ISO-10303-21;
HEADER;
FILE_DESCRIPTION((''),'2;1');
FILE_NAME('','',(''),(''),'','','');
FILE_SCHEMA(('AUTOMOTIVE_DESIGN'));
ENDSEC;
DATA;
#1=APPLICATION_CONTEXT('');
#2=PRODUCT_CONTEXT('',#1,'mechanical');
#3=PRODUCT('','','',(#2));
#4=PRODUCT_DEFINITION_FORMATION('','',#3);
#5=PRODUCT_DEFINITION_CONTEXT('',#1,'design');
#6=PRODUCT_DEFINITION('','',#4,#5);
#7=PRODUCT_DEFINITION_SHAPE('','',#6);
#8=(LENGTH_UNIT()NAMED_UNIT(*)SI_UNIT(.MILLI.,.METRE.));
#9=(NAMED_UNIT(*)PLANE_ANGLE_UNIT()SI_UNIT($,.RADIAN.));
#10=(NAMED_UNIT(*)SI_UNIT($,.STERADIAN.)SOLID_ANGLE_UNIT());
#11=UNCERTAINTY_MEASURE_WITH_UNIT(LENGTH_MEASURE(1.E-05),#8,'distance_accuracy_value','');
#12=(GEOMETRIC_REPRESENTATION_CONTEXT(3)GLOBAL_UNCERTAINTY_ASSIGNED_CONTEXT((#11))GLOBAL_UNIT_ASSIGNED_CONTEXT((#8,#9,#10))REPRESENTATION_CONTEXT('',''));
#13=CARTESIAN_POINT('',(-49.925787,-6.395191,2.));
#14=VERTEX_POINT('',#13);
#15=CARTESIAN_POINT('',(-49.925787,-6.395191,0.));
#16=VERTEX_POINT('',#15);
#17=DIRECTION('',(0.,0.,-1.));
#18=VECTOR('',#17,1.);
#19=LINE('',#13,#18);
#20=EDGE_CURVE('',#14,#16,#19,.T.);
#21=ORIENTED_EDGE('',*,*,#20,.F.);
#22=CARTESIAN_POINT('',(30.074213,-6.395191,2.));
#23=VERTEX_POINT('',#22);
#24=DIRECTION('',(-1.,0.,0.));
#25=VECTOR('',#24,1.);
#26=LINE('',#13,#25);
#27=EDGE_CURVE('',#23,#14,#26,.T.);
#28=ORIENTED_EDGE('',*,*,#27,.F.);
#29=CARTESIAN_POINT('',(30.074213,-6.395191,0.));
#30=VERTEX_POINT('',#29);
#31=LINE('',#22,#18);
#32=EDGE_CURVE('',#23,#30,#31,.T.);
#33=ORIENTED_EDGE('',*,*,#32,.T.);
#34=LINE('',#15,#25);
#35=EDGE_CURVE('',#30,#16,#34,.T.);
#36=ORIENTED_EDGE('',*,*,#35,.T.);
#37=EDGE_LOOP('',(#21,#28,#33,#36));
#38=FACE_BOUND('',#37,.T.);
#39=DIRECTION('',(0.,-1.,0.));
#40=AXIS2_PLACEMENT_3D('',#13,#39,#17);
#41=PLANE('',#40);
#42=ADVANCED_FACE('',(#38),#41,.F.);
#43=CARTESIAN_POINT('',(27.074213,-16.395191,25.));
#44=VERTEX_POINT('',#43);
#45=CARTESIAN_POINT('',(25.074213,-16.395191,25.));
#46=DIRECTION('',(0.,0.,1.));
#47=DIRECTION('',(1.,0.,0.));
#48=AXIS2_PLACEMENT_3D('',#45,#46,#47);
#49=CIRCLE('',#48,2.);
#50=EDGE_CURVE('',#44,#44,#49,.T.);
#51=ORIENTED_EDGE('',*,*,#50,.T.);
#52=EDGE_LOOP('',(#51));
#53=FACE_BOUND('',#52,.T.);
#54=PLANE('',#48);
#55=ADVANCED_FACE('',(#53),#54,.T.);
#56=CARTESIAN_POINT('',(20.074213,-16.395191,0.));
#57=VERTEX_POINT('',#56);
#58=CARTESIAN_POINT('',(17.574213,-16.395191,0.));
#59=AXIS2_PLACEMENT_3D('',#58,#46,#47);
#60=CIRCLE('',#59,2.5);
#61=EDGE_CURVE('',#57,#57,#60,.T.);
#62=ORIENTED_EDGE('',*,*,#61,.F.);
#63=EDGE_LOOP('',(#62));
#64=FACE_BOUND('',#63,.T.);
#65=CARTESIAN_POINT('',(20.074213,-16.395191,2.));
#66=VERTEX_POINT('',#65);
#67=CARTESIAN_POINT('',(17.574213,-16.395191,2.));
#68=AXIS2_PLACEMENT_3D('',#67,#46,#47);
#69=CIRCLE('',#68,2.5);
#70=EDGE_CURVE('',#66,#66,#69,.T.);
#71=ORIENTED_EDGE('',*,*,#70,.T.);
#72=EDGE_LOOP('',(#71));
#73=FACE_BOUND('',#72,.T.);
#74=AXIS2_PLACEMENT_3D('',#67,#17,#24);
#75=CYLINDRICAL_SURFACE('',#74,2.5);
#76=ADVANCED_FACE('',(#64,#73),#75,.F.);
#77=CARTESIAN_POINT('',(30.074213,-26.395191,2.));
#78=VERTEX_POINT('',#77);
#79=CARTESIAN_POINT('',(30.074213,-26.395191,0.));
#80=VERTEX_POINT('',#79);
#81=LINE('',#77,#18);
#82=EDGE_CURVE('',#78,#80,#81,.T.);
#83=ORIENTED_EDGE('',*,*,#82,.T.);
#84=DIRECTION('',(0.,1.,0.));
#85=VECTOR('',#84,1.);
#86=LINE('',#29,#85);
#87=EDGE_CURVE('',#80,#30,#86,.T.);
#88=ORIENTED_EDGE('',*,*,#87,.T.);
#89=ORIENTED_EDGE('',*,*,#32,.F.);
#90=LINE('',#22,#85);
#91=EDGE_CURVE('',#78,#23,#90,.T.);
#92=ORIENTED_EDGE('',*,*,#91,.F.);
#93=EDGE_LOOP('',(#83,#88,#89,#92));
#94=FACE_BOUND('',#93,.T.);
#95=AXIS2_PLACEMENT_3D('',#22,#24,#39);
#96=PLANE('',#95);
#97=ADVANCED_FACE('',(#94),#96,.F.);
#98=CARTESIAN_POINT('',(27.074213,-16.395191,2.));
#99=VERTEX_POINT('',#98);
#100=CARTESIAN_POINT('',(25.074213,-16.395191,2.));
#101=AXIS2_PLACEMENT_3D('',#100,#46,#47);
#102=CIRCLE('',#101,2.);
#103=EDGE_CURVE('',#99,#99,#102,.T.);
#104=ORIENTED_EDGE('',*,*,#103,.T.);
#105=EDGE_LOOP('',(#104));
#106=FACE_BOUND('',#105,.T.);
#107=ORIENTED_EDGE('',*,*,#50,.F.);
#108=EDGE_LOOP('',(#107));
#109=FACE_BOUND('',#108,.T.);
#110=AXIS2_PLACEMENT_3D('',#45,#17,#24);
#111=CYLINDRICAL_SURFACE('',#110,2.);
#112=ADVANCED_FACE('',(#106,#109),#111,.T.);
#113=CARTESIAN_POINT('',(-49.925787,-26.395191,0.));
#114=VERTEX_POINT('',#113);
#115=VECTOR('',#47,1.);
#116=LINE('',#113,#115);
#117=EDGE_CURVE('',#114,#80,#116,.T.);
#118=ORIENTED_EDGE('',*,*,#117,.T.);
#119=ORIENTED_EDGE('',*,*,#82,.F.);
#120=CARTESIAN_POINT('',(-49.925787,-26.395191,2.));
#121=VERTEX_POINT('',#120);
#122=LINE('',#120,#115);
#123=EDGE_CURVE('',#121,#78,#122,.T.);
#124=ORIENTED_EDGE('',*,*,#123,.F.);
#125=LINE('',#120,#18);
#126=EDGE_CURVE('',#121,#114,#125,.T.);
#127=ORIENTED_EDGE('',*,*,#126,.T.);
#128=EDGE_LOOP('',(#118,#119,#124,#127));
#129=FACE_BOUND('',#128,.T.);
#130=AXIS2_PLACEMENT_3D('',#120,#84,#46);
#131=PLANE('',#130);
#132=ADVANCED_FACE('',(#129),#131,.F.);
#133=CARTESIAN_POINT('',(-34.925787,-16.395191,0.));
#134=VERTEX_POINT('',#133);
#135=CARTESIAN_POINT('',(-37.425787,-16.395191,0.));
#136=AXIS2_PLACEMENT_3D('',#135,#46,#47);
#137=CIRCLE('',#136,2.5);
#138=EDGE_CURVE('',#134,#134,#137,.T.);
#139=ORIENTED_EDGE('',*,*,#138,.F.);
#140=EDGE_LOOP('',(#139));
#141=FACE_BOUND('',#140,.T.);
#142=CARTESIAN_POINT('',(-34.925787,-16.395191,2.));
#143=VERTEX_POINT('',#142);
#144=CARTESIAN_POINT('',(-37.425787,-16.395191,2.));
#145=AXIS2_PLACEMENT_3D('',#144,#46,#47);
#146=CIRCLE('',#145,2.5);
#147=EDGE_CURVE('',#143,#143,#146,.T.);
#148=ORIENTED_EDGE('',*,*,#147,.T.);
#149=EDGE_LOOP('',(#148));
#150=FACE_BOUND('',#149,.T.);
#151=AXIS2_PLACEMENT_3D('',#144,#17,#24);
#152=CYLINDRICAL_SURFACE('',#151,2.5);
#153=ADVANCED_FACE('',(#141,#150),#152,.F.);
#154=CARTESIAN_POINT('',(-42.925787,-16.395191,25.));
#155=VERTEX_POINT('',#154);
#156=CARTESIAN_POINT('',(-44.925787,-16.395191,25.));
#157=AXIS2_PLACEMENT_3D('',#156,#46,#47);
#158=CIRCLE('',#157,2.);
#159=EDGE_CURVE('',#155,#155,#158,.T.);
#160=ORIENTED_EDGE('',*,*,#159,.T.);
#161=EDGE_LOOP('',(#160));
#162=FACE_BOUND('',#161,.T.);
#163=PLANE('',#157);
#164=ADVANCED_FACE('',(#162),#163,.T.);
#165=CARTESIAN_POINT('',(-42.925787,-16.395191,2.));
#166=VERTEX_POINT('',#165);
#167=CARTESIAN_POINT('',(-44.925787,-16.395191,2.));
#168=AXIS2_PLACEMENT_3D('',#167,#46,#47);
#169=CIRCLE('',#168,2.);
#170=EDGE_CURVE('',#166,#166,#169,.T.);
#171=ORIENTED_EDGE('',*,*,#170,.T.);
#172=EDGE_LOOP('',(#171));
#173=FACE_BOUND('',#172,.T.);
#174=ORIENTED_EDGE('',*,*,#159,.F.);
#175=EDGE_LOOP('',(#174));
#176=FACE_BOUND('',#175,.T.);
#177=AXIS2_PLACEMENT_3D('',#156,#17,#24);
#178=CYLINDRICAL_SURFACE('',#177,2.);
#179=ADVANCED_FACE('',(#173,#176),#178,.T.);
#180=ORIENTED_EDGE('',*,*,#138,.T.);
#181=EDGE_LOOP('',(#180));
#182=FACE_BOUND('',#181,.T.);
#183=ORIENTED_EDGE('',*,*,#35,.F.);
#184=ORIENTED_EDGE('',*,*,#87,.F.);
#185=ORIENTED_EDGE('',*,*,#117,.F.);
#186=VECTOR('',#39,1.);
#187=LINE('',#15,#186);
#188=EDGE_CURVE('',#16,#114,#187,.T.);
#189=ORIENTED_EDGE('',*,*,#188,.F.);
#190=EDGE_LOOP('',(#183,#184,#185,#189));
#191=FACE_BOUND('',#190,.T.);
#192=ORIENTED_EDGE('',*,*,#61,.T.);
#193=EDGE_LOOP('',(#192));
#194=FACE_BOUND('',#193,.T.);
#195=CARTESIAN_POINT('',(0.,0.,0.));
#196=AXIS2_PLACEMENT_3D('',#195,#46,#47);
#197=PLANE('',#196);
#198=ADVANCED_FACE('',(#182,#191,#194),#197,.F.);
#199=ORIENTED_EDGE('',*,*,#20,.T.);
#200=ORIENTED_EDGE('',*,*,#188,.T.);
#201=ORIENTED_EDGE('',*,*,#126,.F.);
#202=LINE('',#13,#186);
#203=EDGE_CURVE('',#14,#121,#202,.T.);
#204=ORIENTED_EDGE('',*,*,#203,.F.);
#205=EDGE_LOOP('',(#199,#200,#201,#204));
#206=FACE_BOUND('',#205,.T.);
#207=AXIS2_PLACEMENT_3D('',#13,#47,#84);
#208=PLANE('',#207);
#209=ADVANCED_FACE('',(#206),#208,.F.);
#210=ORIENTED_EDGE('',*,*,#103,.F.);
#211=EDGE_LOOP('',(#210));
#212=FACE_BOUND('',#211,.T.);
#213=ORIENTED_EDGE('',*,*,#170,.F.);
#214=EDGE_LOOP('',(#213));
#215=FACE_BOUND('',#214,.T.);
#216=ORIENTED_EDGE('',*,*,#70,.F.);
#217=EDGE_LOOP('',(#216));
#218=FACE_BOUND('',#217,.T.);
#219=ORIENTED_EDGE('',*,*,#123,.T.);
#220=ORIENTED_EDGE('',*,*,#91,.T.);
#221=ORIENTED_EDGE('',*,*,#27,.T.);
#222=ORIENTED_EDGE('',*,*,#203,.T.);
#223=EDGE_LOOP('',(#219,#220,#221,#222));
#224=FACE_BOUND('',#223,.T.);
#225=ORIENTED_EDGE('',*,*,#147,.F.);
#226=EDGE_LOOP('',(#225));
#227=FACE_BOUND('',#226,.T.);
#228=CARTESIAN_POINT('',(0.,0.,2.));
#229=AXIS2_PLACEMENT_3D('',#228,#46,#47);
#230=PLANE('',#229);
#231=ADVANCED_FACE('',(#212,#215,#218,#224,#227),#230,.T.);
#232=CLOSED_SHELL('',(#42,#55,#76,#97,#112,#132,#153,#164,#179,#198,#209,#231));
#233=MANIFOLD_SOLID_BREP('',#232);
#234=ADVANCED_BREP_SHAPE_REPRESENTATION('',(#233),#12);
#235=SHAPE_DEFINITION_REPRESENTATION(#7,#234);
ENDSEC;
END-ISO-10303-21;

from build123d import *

# Parameters (mm, degrees)
SKETCH1_W           = 80
SKETCH1_H           = 20
SKETCH1_R           = 2.5
BOSS_EXTRUDE1_DEPTH = 2
SKETCH2_R           = 2
BOSS_EXTRUDE2_DEPTH = 23


with BuildPart() as part:
    # Sketch1 → Boss-Extrude1 (new body)
    with BuildSketch(Plane.XY):
        with Locations((-9.925787146, -16.395190745)):
            Rectangle(SKETCH1_W, SKETCH1_H)
        with Locations((-37.425787146, -16.395190745)):
            Circle(SKETCH1_R, mode=Mode.SUBTRACT)
        with Locations((17.574212854, -16.395190745)):
            Circle(SKETCH1_R, mode=Mode.SUBTRACT)
    extrude(amount=BOSS_EXTRUDE1_DEPTH)

    # Sketch2 → Boss-Extrude2 (add)
    with BuildSketch(Plane.XY.offset(2)):
        with Locations((25.074212854, -16.395190745)):
            Circle(SKETCH2_R)
        with Locations((-44.925787146, -16.395190745)):
            Circle(SKETCH2_R)
    extrude(amount=BOSS_EXTRUDE2_DEPTH)


solid = part.part
